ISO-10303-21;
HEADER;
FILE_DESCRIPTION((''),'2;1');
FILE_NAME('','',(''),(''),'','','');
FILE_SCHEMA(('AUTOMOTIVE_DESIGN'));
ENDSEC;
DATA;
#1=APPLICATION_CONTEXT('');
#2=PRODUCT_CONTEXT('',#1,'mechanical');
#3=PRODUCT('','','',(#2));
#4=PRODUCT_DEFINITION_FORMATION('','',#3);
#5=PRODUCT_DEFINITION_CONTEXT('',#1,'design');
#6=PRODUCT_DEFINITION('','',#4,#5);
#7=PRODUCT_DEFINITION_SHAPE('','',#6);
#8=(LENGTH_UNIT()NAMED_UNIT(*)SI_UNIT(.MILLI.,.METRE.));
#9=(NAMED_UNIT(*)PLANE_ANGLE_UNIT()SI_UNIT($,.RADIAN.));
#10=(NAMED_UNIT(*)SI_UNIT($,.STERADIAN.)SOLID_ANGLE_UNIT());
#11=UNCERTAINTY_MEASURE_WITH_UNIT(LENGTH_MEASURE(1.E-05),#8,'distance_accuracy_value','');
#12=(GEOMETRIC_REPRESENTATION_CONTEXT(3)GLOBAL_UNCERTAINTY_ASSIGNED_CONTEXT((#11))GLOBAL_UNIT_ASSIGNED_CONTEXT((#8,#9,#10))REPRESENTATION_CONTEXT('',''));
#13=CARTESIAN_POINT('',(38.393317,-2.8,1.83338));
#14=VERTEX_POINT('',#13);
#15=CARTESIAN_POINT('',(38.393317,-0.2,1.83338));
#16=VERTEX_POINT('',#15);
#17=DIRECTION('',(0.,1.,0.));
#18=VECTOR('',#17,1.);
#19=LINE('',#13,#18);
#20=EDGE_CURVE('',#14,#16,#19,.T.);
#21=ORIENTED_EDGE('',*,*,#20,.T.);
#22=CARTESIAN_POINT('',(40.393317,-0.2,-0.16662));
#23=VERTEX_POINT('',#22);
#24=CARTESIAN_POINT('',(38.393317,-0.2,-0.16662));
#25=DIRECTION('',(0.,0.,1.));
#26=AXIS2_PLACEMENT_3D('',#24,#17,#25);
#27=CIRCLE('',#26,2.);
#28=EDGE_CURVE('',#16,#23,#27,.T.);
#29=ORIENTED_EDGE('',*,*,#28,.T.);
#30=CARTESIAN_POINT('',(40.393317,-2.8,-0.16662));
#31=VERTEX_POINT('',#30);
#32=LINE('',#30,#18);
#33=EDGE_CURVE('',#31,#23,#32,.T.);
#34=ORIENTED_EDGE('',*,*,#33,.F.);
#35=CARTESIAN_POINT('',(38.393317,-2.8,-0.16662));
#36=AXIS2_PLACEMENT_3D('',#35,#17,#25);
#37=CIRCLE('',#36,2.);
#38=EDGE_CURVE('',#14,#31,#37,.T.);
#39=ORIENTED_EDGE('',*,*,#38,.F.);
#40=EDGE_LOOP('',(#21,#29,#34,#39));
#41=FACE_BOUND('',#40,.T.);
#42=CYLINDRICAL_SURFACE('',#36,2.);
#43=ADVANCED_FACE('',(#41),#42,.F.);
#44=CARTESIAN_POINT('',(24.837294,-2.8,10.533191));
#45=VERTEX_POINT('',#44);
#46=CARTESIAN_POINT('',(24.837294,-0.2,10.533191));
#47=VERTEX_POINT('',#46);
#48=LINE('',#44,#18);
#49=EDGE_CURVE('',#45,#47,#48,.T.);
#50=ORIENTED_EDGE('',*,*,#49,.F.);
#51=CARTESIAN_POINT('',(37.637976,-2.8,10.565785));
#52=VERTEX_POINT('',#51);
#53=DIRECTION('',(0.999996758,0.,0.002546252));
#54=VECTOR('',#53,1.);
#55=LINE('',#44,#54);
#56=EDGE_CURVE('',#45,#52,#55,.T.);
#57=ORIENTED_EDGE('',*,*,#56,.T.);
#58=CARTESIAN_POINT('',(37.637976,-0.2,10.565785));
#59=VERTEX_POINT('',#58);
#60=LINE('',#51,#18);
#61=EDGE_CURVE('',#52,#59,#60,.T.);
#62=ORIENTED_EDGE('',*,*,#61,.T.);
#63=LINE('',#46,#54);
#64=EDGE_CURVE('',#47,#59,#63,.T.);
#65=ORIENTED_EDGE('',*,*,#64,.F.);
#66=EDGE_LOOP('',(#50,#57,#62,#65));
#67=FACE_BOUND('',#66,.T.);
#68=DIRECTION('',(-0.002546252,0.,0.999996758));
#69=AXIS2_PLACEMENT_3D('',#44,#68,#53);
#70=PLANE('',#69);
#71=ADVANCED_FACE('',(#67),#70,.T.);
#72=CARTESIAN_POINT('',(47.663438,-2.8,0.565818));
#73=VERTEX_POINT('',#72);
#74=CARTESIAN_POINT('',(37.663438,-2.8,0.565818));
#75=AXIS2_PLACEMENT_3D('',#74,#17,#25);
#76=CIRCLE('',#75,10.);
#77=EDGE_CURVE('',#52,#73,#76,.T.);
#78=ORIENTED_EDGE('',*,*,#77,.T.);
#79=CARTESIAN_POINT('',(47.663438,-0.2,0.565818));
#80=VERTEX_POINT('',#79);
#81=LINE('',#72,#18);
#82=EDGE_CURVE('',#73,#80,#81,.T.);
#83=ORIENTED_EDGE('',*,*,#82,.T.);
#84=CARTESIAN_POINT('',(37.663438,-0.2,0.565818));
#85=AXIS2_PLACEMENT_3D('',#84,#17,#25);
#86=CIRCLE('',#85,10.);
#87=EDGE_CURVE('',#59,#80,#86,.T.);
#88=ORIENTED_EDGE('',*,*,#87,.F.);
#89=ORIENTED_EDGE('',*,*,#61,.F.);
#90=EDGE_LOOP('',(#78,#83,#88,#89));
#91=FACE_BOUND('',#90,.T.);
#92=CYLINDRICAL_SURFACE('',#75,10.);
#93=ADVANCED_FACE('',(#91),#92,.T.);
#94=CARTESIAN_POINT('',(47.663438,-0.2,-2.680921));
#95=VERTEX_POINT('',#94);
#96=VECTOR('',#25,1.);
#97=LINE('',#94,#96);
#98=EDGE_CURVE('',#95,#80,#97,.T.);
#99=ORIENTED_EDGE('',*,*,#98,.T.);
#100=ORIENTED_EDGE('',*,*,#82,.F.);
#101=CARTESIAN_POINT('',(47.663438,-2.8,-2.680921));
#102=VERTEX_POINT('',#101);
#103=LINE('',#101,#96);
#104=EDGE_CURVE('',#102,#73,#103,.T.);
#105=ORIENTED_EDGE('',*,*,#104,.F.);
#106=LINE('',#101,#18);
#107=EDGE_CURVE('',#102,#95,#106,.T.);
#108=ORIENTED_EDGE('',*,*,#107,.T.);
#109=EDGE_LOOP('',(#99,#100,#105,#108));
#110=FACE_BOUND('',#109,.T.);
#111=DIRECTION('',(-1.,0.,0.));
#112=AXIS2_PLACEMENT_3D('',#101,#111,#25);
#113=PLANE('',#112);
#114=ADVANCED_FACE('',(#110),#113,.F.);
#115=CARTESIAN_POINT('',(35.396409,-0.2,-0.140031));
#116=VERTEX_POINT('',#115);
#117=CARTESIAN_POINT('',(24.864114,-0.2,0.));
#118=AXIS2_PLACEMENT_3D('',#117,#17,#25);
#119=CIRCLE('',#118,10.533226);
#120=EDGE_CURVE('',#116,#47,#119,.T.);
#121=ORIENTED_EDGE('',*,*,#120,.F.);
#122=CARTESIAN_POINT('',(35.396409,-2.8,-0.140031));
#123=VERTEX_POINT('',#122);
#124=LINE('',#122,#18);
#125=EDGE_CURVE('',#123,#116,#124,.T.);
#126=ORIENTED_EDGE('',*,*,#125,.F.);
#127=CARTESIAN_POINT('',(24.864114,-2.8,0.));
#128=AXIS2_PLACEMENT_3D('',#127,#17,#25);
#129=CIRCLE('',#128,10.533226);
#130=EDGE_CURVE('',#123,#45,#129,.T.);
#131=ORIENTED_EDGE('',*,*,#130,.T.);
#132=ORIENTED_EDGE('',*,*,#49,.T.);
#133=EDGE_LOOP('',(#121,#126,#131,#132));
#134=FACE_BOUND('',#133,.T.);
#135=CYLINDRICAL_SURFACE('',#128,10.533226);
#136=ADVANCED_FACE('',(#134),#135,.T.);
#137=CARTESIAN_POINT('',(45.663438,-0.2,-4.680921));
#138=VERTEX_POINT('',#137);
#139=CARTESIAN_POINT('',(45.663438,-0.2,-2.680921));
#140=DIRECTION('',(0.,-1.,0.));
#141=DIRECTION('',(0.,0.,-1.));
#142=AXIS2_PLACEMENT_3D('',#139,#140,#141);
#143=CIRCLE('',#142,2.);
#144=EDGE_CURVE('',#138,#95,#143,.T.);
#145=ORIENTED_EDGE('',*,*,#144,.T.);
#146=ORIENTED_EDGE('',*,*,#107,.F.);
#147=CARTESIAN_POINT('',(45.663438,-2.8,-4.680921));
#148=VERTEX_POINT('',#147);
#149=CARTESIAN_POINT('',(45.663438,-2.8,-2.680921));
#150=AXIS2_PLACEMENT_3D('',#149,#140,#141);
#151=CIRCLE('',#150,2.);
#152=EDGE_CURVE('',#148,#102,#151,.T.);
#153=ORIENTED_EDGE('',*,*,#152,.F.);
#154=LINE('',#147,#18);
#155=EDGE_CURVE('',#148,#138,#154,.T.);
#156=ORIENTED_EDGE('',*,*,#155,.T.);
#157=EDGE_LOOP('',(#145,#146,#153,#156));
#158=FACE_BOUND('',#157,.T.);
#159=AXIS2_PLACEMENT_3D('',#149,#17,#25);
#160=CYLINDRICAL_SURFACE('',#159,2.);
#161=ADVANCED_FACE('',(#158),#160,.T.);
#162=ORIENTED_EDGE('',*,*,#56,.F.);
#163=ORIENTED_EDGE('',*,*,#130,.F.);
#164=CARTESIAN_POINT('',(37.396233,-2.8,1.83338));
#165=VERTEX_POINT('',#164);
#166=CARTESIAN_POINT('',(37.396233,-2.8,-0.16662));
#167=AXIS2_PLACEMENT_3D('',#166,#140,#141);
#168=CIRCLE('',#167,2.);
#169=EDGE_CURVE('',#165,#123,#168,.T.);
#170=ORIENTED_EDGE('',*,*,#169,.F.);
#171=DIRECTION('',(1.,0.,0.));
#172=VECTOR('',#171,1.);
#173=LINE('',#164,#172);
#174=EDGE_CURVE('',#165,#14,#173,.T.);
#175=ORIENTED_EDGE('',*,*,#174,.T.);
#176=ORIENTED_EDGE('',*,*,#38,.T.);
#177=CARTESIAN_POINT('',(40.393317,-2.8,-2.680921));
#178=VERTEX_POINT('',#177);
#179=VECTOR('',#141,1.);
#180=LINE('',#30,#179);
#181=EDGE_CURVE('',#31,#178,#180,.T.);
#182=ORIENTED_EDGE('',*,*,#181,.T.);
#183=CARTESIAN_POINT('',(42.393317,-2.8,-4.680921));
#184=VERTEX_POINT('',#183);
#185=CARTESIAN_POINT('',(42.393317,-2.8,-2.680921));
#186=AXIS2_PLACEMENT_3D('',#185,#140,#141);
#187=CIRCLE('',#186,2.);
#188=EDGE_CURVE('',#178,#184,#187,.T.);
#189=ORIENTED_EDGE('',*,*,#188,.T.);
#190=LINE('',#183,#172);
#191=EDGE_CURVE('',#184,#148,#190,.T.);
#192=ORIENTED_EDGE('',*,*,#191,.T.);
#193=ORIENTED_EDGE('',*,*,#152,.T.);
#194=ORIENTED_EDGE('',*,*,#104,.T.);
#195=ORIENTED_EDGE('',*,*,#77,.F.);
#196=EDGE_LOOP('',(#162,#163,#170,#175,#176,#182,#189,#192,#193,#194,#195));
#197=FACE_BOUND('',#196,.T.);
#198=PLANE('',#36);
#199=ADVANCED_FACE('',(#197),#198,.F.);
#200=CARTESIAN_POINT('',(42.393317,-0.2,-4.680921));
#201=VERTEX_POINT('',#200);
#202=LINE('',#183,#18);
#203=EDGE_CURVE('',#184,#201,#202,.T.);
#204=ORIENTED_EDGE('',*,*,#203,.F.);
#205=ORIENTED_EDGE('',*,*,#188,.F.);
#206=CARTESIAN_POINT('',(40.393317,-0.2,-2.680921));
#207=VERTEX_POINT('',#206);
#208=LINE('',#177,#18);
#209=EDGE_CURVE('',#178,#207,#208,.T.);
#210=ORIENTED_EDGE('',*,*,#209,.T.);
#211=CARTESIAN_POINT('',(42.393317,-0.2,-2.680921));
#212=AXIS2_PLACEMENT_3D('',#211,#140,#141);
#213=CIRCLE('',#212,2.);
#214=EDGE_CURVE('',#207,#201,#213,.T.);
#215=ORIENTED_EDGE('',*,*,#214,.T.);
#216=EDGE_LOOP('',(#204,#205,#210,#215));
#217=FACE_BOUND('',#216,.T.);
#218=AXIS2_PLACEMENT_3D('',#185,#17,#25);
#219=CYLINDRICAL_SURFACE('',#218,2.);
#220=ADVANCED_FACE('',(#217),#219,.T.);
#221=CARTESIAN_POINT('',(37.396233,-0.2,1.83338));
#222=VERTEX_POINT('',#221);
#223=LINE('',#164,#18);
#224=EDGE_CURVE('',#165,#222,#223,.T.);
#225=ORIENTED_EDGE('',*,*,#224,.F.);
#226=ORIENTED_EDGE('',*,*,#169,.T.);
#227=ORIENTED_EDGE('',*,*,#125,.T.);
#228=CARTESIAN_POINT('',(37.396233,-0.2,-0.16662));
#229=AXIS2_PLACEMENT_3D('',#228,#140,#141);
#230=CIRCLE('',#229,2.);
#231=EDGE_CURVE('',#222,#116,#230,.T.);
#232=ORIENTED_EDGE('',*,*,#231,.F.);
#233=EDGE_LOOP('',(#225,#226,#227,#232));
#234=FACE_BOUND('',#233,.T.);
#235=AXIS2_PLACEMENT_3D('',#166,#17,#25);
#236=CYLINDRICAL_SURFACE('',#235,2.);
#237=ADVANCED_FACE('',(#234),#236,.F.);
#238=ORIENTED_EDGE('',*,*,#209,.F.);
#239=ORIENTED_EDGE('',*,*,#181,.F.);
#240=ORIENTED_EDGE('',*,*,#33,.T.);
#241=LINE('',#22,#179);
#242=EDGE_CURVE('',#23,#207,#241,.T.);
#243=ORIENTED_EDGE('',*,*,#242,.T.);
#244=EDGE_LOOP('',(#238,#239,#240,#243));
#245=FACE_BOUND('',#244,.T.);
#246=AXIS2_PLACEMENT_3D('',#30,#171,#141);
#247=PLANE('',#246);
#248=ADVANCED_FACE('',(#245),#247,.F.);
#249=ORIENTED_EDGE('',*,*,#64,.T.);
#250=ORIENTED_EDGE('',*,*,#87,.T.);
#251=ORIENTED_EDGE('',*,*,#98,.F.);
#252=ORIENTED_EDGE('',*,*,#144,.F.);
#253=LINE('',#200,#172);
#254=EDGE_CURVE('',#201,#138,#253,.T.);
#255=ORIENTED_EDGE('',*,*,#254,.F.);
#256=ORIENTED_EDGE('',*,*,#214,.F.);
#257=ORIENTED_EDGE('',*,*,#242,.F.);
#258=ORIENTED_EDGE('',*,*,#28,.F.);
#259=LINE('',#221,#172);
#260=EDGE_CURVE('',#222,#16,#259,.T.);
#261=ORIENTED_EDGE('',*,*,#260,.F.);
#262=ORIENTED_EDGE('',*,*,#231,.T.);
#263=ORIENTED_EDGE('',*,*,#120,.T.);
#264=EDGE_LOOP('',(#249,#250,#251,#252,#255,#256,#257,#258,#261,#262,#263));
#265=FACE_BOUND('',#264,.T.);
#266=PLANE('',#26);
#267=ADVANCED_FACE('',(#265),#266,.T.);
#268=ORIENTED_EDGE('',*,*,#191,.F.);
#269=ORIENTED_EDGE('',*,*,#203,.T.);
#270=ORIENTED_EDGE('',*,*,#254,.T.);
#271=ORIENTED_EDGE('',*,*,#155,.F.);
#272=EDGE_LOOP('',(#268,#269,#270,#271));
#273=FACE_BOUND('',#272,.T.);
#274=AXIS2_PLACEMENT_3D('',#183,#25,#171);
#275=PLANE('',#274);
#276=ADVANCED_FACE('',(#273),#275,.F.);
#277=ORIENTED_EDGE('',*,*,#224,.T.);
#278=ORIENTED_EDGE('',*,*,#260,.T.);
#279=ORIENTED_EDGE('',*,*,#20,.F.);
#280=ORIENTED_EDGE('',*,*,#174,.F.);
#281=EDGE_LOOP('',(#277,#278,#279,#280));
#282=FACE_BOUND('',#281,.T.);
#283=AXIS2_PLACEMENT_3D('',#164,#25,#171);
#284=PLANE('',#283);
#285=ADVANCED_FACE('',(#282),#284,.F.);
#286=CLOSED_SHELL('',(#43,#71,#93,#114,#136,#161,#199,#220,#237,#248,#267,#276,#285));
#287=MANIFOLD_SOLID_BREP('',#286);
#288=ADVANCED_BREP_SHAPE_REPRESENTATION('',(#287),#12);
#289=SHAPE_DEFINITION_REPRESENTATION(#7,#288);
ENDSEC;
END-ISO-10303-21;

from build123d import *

# Parameters (mm, degrees)
BOSS_EXTRUDE1_START = -0.2
BOSS_EXTRUDE1_DEPTH = 2.6


with BuildPart() as part:
    # Sketch3 → Boss-Extrude1 (new body)
    with BuildSketch(Plane(origin=(0, 0, 0), x_dir=(1, 0, 0), z_dir=(0, 1, 0)).offset(BOSS_EXTRUDE1_START)):
        with BuildLine():
            Line((24.837294245, -10.53319149), (37.637975917, -10.56578536))
            ThreePointArc((37.637975917, -10.56578536), (44.725498152, -7.645882227), (47.663438439, -0.565817777))
            Line((47.663438439, -0.565817777), (47.663438439, 2.68092068))
            ThreePointArc((47.663438439, 2.68092068), (47.077652002, 4.095134243), (45.663438439, 4.68092068))
            Line((45.663438439, 4.68092068), (42.393317115, 4.68092068))
            ThreePointArc((42.393317115, 4.68092068), (40.979103553, 4.095134243), (40.393317115, 2.68092068))
            Line((40.393317115, 2.68092068), (40.393317115, 0.166619972))
            ThreePointArc((40.393317115, 0.166619972), (39.807530678, -1.24759359), (38.393317115, -1.833380028))
            Line((38.393317115, -1.833380028), (37.396232536, -1.833380028))
            ThreePointArc((37.396232536, -1.833380028), (35.991450888, -1.256963015), (35.396409281, 0.14003145))
            ThreePointArc((35.396409281, 0.14003145), (17.376079319, 7.407980257), (24.837294245, -10.53319149))
        make_face()
    extrude(amount=-BOSS_EXTRUDE1_DEPTH)


solid = part.part
